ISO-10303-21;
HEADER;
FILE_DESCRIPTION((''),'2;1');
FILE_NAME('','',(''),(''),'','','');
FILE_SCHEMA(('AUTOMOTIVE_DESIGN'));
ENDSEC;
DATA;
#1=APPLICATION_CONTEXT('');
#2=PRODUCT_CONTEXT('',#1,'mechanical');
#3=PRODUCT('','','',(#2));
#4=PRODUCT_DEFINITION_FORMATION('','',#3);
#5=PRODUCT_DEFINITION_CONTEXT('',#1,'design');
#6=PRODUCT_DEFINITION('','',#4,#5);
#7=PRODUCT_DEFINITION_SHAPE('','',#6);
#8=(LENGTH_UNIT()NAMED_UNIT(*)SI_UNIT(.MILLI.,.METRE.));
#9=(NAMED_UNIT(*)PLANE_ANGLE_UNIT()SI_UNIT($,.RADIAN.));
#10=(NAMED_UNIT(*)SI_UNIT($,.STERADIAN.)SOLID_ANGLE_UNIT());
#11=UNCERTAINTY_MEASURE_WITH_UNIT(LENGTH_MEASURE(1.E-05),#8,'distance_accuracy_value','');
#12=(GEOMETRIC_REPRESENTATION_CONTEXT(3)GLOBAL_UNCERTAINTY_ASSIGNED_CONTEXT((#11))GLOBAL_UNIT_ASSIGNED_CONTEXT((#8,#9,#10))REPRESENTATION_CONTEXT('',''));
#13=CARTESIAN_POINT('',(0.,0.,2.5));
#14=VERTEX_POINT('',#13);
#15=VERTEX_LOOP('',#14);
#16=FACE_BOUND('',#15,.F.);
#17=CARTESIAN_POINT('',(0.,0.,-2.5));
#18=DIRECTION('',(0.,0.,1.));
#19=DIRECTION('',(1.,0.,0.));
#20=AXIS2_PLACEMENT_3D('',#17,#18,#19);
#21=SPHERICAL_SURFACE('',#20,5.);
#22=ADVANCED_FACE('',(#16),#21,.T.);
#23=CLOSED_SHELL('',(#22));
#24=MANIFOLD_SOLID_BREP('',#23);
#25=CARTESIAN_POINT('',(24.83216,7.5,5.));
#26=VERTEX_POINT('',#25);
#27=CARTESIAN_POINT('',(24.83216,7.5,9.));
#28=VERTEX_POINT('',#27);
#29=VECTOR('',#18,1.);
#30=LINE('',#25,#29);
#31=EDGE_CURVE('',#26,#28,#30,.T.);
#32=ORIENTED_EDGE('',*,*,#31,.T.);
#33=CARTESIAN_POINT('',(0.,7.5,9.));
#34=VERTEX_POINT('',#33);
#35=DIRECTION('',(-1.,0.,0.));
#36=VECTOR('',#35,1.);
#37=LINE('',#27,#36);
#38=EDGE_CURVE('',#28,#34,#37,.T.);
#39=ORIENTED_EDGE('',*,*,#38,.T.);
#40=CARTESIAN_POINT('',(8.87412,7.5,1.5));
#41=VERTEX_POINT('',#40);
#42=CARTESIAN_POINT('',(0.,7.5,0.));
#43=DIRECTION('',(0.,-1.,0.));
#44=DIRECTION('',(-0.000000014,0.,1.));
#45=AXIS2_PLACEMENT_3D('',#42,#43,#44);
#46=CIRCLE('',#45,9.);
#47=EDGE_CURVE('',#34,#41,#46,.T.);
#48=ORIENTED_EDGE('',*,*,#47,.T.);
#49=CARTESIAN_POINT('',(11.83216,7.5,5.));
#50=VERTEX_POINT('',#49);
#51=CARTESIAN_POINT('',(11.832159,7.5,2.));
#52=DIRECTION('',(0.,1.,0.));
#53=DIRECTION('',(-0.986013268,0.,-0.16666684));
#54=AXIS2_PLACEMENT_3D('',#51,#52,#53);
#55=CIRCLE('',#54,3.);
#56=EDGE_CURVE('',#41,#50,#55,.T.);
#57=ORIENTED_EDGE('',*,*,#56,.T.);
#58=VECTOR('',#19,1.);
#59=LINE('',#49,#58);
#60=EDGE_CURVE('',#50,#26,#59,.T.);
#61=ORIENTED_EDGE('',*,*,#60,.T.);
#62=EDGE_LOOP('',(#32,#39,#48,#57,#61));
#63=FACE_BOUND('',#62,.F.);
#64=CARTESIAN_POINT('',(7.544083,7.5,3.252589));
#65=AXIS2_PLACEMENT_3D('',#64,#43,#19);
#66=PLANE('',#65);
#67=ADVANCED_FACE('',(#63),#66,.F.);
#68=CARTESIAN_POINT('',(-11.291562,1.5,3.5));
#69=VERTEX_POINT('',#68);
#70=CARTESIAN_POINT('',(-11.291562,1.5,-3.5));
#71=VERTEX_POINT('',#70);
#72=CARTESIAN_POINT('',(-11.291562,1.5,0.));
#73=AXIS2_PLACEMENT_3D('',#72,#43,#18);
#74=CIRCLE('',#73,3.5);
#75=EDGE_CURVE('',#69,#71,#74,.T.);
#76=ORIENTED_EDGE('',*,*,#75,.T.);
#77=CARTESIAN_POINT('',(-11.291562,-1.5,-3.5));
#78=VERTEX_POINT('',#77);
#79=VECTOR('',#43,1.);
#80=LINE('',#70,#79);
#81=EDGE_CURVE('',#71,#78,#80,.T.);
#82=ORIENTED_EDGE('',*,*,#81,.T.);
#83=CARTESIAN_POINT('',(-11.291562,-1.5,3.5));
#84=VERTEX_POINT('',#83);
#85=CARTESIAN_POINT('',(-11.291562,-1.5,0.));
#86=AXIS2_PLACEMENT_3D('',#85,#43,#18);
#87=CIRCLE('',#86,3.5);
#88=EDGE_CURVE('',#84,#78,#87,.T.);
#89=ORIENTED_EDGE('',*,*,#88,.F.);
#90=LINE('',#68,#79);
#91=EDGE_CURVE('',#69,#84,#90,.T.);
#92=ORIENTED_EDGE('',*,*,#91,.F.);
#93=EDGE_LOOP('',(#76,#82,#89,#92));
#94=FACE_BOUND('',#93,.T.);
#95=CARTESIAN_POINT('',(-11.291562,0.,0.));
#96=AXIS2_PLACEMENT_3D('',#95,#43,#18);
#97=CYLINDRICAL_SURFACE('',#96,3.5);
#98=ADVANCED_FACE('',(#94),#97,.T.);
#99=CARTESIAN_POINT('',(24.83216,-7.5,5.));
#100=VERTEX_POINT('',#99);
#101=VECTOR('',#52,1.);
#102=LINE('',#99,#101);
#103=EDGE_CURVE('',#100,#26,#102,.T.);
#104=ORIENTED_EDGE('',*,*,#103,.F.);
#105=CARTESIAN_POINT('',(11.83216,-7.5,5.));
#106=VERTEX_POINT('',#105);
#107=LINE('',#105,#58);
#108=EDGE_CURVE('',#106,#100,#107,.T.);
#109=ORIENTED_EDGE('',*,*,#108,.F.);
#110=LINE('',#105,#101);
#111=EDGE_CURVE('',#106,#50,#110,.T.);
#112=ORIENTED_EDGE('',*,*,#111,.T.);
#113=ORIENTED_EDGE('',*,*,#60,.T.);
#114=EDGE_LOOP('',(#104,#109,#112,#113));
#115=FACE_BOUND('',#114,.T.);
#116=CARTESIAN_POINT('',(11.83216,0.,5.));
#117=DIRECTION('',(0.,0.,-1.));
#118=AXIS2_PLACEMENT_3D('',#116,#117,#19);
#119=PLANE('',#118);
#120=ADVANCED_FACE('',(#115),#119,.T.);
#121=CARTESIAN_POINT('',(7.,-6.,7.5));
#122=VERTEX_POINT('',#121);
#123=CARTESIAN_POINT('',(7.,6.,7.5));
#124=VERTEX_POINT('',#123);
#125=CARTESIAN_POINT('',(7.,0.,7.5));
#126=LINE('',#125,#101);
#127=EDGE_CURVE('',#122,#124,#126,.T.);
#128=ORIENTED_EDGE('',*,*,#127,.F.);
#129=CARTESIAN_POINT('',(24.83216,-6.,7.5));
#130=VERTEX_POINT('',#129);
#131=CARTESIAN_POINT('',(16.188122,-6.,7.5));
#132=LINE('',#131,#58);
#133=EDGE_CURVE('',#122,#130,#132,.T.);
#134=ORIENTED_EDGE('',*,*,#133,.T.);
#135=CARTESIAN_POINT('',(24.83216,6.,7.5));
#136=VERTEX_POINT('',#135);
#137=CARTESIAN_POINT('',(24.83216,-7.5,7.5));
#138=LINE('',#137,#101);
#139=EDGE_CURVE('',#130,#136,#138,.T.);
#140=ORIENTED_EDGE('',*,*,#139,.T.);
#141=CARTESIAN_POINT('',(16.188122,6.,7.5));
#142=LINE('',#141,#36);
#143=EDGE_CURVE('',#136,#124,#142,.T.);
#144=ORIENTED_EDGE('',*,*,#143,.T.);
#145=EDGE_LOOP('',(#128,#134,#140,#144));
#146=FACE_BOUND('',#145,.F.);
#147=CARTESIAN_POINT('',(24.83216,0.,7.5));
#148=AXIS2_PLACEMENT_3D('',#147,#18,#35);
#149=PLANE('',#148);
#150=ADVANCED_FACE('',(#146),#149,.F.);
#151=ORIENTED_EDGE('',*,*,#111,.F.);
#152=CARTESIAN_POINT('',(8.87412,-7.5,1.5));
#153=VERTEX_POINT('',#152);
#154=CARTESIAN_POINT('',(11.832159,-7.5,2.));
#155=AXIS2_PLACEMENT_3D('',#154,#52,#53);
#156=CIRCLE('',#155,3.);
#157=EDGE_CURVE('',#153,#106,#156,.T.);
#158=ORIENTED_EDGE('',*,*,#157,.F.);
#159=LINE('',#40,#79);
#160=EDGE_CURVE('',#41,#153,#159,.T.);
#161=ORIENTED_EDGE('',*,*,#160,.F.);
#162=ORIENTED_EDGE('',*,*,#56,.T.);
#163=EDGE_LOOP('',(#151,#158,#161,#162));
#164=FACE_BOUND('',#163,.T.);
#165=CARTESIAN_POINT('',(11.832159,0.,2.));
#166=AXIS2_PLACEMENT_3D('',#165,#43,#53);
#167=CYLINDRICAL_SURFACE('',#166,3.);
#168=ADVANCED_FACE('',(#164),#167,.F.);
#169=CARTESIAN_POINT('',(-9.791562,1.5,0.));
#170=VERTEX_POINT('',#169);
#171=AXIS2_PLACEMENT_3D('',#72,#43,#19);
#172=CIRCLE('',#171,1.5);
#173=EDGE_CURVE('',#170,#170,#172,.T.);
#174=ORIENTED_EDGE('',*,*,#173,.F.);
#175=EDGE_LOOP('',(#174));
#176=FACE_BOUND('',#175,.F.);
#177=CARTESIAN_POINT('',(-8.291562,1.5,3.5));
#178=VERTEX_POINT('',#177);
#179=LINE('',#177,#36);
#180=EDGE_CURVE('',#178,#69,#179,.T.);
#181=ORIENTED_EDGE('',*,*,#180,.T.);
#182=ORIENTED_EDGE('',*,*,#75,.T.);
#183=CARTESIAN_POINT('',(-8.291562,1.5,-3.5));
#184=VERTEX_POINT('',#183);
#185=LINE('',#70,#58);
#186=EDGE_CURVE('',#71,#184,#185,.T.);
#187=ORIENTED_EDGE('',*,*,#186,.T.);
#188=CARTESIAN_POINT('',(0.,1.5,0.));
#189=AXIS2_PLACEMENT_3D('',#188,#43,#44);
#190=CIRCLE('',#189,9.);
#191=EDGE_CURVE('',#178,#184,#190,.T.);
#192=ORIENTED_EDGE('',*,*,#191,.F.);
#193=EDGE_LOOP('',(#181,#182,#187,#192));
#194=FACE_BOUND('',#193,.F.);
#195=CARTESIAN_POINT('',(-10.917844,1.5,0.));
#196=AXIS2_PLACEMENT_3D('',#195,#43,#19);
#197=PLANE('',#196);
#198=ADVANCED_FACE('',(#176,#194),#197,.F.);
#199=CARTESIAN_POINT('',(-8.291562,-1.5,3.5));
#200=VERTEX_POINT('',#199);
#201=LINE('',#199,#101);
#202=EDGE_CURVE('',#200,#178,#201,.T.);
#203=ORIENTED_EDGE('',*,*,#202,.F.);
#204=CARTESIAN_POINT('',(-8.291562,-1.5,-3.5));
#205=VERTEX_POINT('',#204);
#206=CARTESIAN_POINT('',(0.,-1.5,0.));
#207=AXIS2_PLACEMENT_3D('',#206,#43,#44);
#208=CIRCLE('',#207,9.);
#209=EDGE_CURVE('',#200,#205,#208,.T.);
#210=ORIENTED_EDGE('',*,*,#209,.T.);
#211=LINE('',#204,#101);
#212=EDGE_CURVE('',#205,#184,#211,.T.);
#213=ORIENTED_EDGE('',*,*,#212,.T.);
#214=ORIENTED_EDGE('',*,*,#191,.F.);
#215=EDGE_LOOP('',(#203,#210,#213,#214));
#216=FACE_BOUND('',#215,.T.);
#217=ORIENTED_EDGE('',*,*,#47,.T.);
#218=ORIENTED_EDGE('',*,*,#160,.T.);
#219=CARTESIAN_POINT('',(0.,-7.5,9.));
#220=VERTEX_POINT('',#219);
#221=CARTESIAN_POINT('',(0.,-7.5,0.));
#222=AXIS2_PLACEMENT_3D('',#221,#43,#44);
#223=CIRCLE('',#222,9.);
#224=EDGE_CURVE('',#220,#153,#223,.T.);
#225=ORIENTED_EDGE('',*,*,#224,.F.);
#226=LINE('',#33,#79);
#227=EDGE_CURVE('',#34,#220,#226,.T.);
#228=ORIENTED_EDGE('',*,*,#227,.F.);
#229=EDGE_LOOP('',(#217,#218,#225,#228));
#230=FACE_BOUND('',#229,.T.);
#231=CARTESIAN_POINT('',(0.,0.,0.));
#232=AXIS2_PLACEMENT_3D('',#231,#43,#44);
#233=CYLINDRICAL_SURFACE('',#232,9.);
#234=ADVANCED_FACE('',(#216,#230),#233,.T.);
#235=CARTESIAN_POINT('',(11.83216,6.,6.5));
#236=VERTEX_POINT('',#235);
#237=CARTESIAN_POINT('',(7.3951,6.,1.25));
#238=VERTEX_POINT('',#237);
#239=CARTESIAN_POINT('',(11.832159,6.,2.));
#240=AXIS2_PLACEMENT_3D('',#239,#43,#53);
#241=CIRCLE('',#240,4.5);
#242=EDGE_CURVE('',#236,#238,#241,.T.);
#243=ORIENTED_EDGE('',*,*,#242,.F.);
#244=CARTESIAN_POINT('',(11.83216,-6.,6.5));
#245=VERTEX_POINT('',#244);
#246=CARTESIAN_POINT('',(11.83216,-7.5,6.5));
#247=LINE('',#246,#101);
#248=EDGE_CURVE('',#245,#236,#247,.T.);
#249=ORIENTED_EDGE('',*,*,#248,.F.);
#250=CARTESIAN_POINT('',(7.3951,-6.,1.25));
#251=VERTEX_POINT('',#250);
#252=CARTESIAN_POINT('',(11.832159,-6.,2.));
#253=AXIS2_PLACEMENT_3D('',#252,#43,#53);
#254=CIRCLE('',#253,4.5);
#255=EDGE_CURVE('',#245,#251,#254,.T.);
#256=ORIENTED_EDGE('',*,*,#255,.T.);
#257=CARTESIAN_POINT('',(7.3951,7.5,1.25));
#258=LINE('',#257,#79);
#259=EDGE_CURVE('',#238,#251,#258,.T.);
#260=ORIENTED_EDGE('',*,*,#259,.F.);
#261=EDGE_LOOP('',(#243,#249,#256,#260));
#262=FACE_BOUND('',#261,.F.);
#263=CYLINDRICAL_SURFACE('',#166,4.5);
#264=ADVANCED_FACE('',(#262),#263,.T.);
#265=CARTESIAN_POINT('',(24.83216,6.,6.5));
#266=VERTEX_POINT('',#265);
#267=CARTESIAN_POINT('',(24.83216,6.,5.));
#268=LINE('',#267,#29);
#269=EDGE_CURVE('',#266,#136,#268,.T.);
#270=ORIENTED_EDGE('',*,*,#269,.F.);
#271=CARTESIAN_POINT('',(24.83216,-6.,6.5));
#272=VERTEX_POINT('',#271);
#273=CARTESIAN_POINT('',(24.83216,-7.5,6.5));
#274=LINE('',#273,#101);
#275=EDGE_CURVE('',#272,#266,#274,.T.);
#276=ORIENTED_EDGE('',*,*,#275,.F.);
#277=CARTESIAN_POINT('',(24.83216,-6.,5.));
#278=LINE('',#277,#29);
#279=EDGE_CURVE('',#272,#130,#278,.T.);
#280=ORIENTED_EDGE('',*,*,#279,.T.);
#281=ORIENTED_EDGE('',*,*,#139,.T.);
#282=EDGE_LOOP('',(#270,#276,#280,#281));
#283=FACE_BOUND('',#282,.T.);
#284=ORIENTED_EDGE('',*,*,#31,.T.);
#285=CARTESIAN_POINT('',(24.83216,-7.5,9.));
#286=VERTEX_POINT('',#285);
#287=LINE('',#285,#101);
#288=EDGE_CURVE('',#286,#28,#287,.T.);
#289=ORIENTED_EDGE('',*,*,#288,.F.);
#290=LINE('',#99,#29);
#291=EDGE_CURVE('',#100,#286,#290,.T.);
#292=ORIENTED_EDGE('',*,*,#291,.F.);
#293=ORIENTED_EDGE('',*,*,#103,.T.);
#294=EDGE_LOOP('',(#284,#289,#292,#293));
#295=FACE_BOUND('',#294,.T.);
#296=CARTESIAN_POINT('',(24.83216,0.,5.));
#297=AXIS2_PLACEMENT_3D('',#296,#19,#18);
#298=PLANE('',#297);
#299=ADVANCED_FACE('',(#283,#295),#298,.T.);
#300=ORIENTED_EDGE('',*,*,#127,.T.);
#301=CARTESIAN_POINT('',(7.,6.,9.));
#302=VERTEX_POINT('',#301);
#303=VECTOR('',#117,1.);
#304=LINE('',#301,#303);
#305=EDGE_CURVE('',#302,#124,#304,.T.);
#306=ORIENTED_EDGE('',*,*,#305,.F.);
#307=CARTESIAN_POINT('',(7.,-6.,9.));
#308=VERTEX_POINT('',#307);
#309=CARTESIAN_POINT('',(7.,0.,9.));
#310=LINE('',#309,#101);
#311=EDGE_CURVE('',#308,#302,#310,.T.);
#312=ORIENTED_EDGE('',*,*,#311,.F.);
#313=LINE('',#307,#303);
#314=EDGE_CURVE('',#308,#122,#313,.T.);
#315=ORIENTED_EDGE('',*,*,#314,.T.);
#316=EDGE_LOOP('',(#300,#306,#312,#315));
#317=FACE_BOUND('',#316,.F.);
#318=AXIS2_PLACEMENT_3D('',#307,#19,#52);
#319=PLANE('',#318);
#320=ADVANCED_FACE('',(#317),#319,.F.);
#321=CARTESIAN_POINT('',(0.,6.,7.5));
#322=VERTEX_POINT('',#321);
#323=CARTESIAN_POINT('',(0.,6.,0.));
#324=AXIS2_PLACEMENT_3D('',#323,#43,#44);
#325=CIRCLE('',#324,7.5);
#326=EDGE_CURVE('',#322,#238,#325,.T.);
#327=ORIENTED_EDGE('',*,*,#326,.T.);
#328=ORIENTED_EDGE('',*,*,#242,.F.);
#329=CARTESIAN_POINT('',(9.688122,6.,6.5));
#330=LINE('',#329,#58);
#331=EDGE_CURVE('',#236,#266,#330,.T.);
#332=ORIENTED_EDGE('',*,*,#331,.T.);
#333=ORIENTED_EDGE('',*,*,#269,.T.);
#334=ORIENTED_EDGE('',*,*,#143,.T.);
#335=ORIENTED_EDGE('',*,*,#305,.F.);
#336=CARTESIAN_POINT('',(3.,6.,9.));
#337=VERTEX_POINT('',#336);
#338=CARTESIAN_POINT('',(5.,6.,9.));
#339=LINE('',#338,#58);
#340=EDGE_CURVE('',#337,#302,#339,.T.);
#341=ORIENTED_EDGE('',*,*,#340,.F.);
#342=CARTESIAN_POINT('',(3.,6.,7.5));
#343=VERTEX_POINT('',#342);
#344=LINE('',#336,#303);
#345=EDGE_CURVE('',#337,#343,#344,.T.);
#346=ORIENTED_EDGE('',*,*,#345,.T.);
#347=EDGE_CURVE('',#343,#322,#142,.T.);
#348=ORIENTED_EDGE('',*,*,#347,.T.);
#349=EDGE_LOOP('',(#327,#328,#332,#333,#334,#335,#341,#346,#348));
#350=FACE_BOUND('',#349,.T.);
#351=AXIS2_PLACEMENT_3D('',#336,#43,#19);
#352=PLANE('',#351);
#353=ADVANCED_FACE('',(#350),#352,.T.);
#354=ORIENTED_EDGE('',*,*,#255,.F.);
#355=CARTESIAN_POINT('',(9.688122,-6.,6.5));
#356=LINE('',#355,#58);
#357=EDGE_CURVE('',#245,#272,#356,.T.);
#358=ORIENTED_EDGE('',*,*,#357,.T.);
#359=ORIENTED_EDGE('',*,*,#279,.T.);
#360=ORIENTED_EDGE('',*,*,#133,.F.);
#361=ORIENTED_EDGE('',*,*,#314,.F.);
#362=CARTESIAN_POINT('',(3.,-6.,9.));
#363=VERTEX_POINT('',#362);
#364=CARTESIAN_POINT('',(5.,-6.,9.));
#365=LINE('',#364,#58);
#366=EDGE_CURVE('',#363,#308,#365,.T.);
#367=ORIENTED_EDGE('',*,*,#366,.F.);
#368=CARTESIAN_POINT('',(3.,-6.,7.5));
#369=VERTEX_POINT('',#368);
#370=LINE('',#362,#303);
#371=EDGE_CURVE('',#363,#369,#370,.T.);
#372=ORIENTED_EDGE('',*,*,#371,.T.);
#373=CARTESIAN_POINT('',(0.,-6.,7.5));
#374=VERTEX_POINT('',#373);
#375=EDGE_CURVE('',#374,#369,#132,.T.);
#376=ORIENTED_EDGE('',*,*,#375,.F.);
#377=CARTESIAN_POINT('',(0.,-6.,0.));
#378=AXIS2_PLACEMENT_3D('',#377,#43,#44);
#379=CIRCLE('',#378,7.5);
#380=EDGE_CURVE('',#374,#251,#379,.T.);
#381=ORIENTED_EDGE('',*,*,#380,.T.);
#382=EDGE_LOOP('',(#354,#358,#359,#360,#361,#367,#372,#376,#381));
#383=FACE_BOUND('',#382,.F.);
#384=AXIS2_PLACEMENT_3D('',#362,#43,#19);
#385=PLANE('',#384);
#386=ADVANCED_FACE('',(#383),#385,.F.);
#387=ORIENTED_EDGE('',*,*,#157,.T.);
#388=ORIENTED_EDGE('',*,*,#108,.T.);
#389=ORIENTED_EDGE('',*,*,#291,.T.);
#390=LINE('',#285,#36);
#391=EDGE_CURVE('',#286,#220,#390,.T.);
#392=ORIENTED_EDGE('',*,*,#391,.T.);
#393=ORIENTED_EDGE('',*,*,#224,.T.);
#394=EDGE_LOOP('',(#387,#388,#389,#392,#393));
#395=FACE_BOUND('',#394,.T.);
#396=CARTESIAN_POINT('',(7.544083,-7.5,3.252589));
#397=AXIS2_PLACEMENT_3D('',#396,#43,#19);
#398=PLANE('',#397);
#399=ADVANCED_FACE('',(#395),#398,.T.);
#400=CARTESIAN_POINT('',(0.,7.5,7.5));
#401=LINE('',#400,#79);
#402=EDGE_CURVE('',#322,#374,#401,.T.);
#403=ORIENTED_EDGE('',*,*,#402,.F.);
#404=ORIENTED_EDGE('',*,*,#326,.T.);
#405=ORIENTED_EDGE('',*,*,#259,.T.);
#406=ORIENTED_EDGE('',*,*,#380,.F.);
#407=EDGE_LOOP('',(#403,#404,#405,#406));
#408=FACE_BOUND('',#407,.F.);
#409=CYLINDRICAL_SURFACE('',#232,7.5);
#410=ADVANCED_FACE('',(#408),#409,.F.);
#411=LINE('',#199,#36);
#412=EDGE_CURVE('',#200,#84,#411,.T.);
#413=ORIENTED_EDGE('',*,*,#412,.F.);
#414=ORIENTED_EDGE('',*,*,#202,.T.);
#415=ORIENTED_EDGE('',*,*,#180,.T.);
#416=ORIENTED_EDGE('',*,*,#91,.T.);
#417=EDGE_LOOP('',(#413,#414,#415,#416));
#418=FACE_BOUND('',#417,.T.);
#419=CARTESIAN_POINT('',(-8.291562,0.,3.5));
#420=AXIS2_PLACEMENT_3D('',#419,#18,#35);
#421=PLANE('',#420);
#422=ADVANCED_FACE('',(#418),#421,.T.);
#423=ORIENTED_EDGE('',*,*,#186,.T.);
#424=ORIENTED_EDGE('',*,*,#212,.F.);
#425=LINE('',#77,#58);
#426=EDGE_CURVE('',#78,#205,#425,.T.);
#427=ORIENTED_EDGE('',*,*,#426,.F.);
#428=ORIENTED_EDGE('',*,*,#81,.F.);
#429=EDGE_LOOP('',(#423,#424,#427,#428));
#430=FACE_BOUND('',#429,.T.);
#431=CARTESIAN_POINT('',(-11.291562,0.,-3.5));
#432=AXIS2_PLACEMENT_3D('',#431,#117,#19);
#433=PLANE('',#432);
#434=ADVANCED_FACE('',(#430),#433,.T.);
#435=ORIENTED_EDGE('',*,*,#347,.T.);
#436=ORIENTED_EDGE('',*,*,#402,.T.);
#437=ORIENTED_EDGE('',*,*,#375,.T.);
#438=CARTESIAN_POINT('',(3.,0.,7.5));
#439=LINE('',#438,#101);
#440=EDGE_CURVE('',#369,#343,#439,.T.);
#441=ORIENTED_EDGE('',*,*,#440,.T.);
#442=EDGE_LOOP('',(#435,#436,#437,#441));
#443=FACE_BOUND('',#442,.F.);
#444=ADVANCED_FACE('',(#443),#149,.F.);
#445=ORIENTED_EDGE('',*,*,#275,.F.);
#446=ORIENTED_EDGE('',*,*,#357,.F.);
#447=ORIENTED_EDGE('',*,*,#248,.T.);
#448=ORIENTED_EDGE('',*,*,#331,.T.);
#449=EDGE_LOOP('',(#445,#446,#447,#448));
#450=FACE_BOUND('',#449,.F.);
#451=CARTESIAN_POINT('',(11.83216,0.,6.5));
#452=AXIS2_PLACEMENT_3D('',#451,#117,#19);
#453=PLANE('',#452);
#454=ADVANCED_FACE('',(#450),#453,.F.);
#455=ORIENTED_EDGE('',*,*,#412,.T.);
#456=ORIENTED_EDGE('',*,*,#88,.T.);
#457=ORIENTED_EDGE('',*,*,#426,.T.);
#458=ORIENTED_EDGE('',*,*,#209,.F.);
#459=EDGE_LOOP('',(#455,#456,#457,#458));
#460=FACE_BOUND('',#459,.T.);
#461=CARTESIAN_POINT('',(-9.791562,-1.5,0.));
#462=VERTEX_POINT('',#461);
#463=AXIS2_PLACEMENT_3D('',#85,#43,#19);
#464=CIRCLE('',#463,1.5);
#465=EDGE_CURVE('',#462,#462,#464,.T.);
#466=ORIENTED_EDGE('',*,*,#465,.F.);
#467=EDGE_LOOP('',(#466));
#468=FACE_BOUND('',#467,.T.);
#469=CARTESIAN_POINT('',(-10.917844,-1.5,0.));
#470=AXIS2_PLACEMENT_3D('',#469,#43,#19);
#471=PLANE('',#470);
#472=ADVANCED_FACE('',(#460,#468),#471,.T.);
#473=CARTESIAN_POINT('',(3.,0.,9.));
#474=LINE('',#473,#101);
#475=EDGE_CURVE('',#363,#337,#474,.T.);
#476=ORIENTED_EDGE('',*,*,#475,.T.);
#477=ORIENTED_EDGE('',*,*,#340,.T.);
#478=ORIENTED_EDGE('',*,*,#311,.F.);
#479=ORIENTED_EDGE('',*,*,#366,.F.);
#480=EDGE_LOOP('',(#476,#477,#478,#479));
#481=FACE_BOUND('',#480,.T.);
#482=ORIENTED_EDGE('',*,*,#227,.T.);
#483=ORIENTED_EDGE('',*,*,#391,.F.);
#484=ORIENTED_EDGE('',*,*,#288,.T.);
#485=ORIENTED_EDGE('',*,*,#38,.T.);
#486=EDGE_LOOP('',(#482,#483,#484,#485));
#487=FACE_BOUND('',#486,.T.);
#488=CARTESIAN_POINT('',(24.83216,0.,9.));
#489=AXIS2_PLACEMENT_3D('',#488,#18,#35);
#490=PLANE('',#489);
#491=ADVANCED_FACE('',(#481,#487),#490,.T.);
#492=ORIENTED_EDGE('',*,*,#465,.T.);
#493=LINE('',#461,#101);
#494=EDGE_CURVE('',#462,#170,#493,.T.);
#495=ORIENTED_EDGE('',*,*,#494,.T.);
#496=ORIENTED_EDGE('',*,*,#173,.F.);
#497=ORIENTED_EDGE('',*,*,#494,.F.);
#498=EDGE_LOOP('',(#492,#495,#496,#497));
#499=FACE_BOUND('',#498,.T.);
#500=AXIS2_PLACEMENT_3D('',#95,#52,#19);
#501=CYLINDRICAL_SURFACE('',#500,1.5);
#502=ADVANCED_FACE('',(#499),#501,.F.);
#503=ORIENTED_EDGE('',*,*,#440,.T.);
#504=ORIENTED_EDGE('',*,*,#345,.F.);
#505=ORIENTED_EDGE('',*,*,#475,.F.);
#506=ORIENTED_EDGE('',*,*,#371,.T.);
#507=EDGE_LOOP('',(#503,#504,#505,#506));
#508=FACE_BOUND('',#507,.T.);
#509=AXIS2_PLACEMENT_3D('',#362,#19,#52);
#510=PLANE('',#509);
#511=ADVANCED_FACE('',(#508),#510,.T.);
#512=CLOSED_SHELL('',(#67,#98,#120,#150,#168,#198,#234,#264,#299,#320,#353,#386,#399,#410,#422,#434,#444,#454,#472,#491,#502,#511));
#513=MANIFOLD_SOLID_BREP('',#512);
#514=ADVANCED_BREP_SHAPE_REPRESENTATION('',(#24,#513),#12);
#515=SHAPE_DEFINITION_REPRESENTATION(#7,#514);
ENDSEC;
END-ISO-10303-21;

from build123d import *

# Parameters (mm, degrees)
F1_DEPTH = 7.5
F2_T     = -1.5
F3_W     = 4
F3_H     = 12
F4_DEPTH = 1.5
F5_R     = 1.5
F6_DEPTH = 1.5


with BuildPart() as f1:
    # F0 (on Front) → F1 (new body, symmetric)
    with BuildSketch(Plane.XZ):
        with BuildLine():
            Line((24.83216, 9), (0, 9))
            ThreePointArc((0, 9), (-5.809475, -6.873864), (8.87412, 1.5))
            ThreePointArc((8.87412, 1.5), (9.540872, 3.936492), (11.83216, 5))
            Line((11.83216, 5), (24.83216, 5))
            Line((24.83216, 5), (24.83216, 9))
        make_face()
    extrude(amount=F1_DEPTH, both=True)

    # F2
    f2_openings = [f1.faces().sort_by_distance(p)[0] for p in [
        (24.83216, 0, 7),
    ]]
    offset(amount=F2_T, openings=f2_openings)

    # F3 (on face) → F4 (cut)
    with BuildSketch(Plane.XY.offset(9)):
        with Locations((5, 0)):
            Rectangle(F3_W, F3_H)
    extrude(amount=-F4_DEPTH, mode=Mode.SUBTRACT)

    # F5 (on Front) → F6 (join, symmetric)
    with BuildSketch(Plane.XZ):
        with BuildLine():
            Line((-8.291562, 3.5), (-11.291562, 3.5))
            ThreePointArc((-11.291562, 3.5), (-14.791562, 0), (-11.291562, -3.5))
            Line((-11.291562, -3.5), (-8.291562, -3.5))
            Line((-8.291562, -3.5), (-8.291562, 3.5))
        make_face()
        with Locations((-11.291562, 0)):
            Circle(F5_R, mode=Mode.SUBTRACT)
    extrude(amount=F6_DEPTH, both=True)


with BuildPart() as f8:
    # F7 (on Front) → F8 (revolve)
    with BuildSketch(Plane.XZ):
        with BuildLine():
            ThreePointArc((0, -7.5), (5, -2.5), (0, 2.5))
            Line((0, 2.5), (0, -7.5))
        make_face()
    revolve(axis=Axis((0, 0, -2.5), (0, 0, -1)))


solid = Compound([f1.part, f8.part])
